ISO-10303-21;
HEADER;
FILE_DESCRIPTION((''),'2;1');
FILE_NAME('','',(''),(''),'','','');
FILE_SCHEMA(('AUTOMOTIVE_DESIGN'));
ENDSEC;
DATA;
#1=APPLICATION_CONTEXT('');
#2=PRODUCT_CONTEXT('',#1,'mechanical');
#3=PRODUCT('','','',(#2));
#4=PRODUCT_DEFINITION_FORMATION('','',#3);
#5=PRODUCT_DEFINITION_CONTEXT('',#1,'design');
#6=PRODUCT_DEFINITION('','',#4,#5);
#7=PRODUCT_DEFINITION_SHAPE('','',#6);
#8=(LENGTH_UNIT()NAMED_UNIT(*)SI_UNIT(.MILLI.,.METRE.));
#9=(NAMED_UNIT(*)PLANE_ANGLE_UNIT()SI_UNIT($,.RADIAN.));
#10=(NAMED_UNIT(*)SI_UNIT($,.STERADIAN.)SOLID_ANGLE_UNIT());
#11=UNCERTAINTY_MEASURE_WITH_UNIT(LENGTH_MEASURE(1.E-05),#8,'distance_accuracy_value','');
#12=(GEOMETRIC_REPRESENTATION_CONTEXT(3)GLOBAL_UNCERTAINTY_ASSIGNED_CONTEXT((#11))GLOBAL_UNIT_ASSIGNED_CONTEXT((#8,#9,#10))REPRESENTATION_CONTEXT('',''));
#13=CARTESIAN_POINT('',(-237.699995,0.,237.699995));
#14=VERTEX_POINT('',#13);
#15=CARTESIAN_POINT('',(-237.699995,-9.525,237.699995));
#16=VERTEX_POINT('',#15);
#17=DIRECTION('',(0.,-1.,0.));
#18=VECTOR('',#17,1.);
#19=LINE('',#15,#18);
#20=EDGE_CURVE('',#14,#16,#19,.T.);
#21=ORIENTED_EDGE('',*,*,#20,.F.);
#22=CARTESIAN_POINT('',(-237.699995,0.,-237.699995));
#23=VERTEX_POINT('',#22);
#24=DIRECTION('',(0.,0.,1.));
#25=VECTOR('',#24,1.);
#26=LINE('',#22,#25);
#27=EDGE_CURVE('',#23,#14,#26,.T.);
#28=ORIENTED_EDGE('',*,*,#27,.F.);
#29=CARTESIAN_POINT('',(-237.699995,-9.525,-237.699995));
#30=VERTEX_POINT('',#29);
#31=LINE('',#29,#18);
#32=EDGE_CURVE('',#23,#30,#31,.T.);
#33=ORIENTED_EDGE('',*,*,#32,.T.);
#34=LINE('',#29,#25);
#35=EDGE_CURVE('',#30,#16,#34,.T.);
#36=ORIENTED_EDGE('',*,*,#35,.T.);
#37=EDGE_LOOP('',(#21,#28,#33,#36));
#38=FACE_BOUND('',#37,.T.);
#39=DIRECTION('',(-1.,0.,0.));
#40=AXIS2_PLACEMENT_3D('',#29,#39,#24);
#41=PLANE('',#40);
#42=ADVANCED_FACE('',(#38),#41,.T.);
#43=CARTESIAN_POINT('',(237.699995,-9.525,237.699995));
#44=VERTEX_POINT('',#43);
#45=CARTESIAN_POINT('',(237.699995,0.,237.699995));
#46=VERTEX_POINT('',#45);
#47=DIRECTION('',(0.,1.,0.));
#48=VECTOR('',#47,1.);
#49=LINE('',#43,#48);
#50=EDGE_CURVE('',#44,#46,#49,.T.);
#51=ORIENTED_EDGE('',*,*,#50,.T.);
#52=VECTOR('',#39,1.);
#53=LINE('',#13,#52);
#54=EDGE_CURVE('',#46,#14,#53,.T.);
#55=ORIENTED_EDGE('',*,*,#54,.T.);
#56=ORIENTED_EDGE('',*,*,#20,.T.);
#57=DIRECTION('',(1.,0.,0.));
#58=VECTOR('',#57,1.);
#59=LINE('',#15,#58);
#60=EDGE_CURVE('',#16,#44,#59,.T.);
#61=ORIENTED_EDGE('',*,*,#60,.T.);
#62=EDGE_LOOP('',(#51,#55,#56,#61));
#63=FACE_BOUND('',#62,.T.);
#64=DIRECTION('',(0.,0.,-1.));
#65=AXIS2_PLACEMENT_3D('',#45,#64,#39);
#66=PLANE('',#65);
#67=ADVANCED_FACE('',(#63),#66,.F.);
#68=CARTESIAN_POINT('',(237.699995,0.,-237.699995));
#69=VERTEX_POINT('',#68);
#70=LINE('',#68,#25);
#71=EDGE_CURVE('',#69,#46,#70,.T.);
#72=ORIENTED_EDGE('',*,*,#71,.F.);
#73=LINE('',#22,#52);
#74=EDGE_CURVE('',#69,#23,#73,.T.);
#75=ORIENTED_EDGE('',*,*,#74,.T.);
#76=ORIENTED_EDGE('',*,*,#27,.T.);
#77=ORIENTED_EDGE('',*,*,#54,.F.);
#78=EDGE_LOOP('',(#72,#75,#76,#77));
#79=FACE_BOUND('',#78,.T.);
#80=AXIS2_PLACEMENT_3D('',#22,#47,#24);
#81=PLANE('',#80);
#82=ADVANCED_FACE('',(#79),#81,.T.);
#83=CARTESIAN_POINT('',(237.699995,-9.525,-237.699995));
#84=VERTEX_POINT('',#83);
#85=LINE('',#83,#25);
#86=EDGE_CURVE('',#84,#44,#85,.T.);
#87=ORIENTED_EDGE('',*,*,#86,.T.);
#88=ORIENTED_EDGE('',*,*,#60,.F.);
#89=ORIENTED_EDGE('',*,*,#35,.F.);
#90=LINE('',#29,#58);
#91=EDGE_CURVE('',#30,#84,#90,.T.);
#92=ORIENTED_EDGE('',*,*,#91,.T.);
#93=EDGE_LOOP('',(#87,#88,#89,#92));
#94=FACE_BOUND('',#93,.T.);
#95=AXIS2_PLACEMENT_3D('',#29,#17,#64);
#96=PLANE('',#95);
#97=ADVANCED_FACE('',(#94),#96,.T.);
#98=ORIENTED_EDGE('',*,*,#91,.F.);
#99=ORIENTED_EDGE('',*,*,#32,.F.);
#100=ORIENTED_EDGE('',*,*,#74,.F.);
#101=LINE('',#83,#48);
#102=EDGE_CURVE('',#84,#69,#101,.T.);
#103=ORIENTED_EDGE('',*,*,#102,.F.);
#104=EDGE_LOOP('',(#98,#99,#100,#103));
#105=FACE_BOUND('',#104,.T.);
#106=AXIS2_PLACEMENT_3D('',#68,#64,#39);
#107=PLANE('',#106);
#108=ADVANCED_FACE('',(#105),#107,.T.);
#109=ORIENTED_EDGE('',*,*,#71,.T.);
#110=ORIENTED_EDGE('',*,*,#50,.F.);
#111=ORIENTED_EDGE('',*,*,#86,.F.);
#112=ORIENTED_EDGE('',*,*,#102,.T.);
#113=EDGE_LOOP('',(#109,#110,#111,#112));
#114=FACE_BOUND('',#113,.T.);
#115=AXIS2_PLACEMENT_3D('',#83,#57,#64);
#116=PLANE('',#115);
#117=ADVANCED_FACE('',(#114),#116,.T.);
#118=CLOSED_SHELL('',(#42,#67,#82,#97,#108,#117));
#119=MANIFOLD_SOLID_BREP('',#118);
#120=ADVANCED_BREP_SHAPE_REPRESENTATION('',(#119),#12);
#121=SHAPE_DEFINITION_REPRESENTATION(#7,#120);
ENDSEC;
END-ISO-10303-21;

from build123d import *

# Parameters (mm, degrees)
SKETCH1_W      = 475.399989
SKETCH1_H      = 9.525
EXTRUDE1_DEPTH = 237.6999945


with BuildPart() as part:
    # Sketch1 → Extrude1 (new, symmetric)
    with BuildSketch(Plane.XY):
        with Locations((0, -4.7625)):
            Rectangle(SKETCH1_W, SKETCH1_H)
    extrude(amount=EXTRUDE1_DEPTH, both=True)


solid = part.part
